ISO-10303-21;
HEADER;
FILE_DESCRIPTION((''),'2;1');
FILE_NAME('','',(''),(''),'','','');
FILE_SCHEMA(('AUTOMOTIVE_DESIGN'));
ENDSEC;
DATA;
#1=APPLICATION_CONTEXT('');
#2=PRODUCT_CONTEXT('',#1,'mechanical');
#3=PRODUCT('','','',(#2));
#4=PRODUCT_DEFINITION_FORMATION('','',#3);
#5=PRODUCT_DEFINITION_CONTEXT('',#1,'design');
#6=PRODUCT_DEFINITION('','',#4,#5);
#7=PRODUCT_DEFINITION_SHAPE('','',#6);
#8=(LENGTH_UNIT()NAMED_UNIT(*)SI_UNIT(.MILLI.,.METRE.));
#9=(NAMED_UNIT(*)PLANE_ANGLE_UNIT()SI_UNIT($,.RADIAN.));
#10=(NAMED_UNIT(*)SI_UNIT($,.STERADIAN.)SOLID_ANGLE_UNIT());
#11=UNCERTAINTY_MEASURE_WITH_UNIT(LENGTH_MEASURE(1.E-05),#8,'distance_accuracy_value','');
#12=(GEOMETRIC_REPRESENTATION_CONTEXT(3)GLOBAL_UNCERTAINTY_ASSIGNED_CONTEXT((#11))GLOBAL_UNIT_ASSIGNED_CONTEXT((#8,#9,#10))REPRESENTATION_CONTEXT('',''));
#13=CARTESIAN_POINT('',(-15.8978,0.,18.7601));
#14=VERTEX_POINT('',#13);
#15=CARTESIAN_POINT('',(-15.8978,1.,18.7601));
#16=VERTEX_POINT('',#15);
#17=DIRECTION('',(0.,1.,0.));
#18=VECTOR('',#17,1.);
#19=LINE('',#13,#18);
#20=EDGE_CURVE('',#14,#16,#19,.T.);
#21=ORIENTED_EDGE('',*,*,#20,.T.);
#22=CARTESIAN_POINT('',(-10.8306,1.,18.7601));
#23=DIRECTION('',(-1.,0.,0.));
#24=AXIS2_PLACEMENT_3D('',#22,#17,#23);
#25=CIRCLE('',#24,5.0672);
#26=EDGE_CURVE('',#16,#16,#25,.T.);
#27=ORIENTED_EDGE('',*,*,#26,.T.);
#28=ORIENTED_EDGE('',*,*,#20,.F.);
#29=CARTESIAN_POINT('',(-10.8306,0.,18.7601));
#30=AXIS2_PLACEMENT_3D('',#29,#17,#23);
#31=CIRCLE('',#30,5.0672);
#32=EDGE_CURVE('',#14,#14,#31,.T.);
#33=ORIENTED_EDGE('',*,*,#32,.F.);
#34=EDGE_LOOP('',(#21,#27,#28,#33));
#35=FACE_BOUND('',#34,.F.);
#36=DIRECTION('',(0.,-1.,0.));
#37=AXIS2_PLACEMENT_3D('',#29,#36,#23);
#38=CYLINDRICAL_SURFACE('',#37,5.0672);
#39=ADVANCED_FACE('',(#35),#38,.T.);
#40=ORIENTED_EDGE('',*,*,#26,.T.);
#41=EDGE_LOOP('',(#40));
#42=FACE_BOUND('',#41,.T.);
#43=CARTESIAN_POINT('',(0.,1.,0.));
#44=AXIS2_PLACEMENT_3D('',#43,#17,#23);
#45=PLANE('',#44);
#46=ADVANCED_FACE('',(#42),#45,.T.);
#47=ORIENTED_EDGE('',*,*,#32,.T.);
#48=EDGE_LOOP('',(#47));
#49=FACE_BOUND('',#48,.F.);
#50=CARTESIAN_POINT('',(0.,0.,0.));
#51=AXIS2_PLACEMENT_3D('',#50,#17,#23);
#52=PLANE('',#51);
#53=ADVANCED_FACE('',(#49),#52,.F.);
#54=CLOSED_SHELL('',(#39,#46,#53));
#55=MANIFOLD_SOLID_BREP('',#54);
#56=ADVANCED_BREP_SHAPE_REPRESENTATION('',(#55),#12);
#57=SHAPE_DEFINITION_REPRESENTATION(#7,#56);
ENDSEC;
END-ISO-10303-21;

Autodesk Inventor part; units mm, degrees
ref_plane "YZ Plane" through (0, 0, 0) normal (1, 0, 0) x (0, 1, 0)
ref_plane "XZ Plane" through (0, 0, 0) normal (0, 1, 0) x (-1, 0, 0)
ref_plane "XY Plane" through (0, 0, 0) normal (0, 0, 1) x (1, 0, 0)
sketch "Sketch1" plane through (0, 0, 0) normal (0, 1, 0) x (-1, 0, 0)
  circle A0 centre (10.8306, 18.7601) radius 5.0672
  point P0 (0, 0)
  dimension "d0" = 1
extrude "Extrusion1" add sketch "Sketch1" along normal blind 1
properties part number "lock1"
